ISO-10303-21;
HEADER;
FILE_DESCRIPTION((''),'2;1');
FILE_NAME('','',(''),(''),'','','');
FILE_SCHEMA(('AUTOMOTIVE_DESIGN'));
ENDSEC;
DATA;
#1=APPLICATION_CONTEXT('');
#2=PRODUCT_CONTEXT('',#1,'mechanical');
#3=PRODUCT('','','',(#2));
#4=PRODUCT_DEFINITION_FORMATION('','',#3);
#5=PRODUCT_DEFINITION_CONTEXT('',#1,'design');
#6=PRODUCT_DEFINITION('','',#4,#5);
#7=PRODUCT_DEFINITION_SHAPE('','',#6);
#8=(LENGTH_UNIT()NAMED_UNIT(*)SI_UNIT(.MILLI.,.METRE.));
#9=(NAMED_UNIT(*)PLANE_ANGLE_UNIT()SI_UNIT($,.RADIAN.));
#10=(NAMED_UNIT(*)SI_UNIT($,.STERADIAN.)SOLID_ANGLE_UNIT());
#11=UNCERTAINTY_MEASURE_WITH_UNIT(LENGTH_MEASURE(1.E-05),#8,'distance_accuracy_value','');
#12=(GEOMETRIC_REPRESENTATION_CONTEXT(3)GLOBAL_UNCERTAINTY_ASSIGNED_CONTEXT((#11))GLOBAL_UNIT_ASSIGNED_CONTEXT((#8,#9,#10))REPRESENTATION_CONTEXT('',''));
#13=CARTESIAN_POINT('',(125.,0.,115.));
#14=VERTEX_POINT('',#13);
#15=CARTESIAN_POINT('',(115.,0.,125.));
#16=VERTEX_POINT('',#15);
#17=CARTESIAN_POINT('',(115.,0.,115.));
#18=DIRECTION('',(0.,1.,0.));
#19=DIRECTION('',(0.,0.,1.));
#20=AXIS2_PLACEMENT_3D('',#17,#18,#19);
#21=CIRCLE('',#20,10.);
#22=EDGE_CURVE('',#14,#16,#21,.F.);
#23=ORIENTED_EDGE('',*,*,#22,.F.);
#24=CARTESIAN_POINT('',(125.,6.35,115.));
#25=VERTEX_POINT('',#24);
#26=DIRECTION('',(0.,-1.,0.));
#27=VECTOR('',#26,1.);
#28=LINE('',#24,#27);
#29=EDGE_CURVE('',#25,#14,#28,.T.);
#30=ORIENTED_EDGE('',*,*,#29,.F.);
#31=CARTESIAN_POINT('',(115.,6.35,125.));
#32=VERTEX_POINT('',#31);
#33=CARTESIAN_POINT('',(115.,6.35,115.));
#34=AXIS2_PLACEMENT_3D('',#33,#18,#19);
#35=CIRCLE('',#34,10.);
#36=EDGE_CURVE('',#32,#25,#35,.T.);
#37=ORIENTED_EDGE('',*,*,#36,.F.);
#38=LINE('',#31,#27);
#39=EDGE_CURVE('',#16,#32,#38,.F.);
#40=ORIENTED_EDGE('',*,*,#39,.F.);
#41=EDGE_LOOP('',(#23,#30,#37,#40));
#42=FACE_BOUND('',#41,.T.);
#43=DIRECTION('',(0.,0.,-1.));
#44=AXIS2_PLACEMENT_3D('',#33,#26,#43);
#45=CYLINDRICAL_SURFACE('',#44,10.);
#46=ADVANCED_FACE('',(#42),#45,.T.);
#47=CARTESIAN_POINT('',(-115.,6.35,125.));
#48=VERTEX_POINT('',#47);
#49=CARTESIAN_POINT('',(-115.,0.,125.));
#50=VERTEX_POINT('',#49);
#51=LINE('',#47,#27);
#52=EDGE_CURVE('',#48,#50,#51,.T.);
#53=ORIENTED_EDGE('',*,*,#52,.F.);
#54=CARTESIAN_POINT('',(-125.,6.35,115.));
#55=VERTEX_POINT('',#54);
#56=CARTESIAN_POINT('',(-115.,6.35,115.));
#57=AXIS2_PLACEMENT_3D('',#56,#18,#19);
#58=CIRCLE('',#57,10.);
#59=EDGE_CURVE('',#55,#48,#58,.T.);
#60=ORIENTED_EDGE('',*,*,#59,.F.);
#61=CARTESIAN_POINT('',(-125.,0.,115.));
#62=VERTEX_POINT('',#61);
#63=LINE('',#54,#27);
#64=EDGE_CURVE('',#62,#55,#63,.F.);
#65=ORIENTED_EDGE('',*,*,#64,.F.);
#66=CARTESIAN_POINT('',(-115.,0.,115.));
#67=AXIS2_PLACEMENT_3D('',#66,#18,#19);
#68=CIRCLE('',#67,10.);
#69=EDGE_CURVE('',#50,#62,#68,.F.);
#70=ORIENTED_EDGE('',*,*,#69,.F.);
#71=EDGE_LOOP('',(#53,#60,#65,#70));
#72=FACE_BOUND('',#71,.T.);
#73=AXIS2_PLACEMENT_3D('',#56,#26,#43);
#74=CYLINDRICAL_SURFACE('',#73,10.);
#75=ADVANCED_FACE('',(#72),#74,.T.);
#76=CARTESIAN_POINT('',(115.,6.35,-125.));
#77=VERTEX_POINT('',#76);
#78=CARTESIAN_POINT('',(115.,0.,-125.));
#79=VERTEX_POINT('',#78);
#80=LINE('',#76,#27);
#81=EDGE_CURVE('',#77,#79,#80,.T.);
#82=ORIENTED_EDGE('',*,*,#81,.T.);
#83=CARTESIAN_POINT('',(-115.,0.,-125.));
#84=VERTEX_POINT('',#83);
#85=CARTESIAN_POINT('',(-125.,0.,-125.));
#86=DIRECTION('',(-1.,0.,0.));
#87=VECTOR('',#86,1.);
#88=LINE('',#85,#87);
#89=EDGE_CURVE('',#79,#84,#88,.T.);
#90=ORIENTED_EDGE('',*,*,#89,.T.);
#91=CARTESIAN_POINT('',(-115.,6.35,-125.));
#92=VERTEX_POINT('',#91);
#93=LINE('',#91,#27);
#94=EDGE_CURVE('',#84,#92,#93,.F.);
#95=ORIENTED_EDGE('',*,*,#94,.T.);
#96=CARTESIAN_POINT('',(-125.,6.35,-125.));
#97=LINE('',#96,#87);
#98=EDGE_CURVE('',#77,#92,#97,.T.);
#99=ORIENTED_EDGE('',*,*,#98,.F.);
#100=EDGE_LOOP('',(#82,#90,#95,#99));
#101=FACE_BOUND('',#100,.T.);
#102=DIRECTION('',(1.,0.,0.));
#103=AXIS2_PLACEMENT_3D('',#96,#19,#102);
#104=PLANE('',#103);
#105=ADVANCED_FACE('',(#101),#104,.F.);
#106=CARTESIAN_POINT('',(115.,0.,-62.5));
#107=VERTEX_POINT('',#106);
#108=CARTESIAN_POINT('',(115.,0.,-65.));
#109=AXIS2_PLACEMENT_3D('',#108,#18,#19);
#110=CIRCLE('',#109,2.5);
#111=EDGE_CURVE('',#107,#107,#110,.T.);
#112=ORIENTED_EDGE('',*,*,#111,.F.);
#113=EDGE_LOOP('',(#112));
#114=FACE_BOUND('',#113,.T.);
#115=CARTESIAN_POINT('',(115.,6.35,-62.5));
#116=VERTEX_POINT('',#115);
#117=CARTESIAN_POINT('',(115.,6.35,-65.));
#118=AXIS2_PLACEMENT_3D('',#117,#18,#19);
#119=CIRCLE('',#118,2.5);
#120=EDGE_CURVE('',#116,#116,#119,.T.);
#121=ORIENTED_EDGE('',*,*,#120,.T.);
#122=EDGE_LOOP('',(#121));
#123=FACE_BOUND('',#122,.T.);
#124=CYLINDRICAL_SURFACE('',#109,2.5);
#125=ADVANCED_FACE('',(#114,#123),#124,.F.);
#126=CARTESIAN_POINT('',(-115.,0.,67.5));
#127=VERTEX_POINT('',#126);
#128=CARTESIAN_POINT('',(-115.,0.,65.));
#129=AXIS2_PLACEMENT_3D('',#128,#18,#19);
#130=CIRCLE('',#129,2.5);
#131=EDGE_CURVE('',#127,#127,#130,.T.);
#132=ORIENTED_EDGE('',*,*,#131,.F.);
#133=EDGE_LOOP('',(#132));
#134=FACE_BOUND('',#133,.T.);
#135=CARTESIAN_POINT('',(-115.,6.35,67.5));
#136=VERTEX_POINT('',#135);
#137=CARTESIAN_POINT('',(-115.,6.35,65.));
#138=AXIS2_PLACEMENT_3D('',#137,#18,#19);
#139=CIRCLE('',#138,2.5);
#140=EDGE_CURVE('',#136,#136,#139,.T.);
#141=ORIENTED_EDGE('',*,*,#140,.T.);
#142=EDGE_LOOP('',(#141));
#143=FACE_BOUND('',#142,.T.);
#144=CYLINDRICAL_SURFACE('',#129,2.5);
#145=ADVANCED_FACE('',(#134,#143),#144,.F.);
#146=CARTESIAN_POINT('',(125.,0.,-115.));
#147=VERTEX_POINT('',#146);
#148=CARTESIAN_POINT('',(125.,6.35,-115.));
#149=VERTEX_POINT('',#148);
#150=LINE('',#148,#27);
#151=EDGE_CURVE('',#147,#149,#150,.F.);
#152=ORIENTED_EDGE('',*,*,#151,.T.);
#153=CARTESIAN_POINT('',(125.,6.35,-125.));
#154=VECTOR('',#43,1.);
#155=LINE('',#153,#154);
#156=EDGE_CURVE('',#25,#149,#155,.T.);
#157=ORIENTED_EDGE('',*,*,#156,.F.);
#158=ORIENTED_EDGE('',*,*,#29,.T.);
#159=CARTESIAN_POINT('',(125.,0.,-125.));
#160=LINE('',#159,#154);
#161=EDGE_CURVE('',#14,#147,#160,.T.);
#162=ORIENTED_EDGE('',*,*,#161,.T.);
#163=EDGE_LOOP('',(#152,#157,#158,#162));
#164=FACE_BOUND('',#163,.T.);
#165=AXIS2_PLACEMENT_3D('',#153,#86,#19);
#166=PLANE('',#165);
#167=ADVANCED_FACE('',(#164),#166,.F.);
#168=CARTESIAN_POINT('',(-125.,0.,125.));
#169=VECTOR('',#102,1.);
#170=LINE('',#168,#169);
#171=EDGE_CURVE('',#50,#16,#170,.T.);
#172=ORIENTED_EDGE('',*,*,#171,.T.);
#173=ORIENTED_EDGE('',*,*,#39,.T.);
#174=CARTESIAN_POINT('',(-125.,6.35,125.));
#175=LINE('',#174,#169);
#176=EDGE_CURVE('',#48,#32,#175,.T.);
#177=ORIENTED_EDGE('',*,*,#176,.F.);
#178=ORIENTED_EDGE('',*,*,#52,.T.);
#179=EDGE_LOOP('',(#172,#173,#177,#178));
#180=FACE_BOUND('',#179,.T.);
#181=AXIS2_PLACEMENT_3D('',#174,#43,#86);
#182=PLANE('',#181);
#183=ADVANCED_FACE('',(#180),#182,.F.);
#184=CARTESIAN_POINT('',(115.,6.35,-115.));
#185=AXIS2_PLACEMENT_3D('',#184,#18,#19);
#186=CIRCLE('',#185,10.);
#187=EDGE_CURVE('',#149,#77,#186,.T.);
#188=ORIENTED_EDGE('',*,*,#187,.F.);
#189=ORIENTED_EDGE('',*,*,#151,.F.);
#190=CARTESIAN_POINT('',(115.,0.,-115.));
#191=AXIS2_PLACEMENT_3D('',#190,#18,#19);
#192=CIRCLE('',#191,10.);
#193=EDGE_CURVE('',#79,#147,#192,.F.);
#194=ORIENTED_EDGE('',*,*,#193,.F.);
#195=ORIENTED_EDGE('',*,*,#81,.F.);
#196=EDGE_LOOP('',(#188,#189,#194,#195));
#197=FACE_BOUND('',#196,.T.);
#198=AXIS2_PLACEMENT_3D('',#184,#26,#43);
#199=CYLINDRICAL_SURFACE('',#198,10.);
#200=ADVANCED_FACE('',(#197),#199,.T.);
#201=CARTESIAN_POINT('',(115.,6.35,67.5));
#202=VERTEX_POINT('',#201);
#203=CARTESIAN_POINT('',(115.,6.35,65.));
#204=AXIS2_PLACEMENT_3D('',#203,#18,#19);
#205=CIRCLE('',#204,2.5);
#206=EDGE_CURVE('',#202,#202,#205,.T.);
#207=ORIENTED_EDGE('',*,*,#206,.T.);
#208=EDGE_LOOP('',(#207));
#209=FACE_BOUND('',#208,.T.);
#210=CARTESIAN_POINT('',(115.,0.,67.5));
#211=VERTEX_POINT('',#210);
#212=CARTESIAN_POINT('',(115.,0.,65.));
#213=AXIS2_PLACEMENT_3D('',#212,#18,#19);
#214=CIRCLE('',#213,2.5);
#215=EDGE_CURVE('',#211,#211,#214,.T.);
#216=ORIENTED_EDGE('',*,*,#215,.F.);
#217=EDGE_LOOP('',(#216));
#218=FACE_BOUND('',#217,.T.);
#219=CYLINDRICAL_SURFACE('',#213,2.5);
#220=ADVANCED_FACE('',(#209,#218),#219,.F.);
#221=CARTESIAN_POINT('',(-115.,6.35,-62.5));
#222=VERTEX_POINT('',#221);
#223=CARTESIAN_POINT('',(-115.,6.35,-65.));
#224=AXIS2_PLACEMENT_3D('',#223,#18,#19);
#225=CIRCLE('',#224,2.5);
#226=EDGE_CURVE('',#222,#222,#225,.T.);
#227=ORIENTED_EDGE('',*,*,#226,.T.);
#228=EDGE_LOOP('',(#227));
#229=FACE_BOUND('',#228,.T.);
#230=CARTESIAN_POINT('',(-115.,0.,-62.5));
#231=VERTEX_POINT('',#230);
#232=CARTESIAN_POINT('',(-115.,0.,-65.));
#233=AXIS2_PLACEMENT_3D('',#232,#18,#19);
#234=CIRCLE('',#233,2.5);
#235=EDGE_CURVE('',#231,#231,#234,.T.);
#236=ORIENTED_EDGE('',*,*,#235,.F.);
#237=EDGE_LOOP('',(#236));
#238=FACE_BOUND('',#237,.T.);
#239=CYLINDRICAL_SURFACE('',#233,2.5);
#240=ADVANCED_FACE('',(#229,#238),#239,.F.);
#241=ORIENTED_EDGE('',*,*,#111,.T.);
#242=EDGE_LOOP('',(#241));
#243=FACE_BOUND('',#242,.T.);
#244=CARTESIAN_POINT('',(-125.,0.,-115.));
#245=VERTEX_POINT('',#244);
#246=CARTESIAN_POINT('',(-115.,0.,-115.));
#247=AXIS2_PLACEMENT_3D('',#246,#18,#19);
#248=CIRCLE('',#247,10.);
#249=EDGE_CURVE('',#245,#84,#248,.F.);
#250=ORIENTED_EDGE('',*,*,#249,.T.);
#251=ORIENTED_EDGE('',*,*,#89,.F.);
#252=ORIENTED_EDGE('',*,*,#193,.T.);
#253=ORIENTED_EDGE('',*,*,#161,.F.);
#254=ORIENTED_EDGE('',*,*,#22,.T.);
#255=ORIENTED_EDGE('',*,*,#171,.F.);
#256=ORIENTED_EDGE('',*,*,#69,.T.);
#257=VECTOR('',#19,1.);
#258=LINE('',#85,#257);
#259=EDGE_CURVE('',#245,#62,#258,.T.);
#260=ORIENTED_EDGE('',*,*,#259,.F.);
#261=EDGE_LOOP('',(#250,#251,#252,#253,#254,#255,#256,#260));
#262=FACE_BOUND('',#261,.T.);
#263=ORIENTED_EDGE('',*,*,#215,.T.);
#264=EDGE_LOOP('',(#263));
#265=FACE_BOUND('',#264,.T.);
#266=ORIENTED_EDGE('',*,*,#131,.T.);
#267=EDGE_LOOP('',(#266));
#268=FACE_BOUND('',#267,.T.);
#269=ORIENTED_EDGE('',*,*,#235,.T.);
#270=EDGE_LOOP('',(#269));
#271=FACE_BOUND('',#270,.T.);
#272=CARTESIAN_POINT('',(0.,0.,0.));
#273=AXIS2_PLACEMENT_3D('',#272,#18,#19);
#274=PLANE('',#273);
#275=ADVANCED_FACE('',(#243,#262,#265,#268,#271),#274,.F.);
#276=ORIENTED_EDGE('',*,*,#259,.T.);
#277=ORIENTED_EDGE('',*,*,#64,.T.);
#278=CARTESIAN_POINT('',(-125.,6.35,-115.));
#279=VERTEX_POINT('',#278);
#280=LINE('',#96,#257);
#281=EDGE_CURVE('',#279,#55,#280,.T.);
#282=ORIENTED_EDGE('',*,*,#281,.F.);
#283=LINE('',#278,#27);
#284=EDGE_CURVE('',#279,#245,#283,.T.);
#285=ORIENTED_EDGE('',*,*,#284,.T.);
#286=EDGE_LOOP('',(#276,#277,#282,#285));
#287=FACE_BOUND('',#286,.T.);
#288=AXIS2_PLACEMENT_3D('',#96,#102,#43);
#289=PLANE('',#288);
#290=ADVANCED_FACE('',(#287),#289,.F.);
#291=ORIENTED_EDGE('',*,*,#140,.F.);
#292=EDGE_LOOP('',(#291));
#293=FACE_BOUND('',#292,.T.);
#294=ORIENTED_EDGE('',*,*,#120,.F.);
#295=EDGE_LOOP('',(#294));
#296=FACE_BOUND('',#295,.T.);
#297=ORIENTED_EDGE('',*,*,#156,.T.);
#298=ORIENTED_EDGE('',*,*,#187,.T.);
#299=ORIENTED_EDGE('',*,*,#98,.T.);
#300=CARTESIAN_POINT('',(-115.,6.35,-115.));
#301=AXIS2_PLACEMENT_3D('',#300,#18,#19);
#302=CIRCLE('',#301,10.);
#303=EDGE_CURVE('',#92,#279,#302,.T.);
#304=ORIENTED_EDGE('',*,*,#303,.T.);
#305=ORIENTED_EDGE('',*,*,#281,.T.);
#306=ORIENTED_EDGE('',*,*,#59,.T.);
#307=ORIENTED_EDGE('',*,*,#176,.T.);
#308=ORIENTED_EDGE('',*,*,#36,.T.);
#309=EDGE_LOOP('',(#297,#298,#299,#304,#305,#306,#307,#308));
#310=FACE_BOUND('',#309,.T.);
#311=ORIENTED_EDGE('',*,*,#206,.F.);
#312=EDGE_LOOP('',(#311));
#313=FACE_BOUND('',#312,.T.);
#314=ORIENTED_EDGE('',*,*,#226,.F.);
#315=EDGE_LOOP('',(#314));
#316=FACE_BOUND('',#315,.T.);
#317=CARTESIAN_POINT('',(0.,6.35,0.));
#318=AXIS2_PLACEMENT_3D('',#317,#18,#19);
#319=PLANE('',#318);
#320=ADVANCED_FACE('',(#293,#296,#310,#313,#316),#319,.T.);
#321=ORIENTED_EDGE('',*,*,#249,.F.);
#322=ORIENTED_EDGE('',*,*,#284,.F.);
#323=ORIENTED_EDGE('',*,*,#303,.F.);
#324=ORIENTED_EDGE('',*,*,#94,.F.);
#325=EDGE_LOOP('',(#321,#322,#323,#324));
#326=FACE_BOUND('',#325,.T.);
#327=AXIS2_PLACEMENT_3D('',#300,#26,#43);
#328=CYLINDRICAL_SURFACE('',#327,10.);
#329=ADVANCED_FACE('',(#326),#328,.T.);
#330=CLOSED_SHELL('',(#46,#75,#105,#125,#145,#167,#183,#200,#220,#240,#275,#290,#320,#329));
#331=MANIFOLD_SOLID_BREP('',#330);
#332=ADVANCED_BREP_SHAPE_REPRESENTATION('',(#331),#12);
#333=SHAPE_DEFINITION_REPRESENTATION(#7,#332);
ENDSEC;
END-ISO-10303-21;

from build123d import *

# Parameters (mm, degrees)
SKETCH1_W           = 250
SKETCH1_H           = 250
BOSS_EXTRUDE1_DEPTH = 6.35
SKETCH2_R           = 2.5
CUT_EXTRUDE1_DEPTH  = 177.890707783
FILLET1_R           = 10


with BuildPart() as part:
    # Sketch1 → Boss-Extrude1 (new body)
    with BuildSketch(Plane(origin=(0, 0, 0), x_dir=(1, 0, 0), z_dir=(0, 1, 0))):
        Rectangle(SKETCH1_W, SKETCH1_H)
    extrude(amount=BOSS_EXTRUDE1_DEPTH)

    # Sketch2 → Cut-Extrude1 (cut, through all)
    with BuildSketch(Plane(origin=(0, 6.35, 0), x_dir=(1, 0, 0), z_dir=(0, 1, 0))):
        with Locations(Location((-115, 65, 0), (0, 0, 270))):
            Circle(SKETCH2_R)
        with Locations(Location((115, 65, 0), (0, 0, 270))):
            Circle(SKETCH2_R)
        with Locations(Location((115, -65, 0), (0, 0, 270))):
            Circle(SKETCH2_R)
        with Locations(Location((-115, -65, 0), (0, 0, 270))):
            Circle(SKETCH2_R)
    extrude(amount=-CUT_EXTRUDE1_DEPTH, mode=Mode.SUBTRACT)

    # Fillet1
    fillet1_edges = [part.edges().sort_by_distance(p)[0] for p in [
        (-125, 3.175, -125),
        (125, 3.175, -125),
        (125, 3.175, 125),
        (-125, 3.175, 125),
    ]]
    fillet(fillet1_edges, radius=FILLET1_R)


solid = part.part
